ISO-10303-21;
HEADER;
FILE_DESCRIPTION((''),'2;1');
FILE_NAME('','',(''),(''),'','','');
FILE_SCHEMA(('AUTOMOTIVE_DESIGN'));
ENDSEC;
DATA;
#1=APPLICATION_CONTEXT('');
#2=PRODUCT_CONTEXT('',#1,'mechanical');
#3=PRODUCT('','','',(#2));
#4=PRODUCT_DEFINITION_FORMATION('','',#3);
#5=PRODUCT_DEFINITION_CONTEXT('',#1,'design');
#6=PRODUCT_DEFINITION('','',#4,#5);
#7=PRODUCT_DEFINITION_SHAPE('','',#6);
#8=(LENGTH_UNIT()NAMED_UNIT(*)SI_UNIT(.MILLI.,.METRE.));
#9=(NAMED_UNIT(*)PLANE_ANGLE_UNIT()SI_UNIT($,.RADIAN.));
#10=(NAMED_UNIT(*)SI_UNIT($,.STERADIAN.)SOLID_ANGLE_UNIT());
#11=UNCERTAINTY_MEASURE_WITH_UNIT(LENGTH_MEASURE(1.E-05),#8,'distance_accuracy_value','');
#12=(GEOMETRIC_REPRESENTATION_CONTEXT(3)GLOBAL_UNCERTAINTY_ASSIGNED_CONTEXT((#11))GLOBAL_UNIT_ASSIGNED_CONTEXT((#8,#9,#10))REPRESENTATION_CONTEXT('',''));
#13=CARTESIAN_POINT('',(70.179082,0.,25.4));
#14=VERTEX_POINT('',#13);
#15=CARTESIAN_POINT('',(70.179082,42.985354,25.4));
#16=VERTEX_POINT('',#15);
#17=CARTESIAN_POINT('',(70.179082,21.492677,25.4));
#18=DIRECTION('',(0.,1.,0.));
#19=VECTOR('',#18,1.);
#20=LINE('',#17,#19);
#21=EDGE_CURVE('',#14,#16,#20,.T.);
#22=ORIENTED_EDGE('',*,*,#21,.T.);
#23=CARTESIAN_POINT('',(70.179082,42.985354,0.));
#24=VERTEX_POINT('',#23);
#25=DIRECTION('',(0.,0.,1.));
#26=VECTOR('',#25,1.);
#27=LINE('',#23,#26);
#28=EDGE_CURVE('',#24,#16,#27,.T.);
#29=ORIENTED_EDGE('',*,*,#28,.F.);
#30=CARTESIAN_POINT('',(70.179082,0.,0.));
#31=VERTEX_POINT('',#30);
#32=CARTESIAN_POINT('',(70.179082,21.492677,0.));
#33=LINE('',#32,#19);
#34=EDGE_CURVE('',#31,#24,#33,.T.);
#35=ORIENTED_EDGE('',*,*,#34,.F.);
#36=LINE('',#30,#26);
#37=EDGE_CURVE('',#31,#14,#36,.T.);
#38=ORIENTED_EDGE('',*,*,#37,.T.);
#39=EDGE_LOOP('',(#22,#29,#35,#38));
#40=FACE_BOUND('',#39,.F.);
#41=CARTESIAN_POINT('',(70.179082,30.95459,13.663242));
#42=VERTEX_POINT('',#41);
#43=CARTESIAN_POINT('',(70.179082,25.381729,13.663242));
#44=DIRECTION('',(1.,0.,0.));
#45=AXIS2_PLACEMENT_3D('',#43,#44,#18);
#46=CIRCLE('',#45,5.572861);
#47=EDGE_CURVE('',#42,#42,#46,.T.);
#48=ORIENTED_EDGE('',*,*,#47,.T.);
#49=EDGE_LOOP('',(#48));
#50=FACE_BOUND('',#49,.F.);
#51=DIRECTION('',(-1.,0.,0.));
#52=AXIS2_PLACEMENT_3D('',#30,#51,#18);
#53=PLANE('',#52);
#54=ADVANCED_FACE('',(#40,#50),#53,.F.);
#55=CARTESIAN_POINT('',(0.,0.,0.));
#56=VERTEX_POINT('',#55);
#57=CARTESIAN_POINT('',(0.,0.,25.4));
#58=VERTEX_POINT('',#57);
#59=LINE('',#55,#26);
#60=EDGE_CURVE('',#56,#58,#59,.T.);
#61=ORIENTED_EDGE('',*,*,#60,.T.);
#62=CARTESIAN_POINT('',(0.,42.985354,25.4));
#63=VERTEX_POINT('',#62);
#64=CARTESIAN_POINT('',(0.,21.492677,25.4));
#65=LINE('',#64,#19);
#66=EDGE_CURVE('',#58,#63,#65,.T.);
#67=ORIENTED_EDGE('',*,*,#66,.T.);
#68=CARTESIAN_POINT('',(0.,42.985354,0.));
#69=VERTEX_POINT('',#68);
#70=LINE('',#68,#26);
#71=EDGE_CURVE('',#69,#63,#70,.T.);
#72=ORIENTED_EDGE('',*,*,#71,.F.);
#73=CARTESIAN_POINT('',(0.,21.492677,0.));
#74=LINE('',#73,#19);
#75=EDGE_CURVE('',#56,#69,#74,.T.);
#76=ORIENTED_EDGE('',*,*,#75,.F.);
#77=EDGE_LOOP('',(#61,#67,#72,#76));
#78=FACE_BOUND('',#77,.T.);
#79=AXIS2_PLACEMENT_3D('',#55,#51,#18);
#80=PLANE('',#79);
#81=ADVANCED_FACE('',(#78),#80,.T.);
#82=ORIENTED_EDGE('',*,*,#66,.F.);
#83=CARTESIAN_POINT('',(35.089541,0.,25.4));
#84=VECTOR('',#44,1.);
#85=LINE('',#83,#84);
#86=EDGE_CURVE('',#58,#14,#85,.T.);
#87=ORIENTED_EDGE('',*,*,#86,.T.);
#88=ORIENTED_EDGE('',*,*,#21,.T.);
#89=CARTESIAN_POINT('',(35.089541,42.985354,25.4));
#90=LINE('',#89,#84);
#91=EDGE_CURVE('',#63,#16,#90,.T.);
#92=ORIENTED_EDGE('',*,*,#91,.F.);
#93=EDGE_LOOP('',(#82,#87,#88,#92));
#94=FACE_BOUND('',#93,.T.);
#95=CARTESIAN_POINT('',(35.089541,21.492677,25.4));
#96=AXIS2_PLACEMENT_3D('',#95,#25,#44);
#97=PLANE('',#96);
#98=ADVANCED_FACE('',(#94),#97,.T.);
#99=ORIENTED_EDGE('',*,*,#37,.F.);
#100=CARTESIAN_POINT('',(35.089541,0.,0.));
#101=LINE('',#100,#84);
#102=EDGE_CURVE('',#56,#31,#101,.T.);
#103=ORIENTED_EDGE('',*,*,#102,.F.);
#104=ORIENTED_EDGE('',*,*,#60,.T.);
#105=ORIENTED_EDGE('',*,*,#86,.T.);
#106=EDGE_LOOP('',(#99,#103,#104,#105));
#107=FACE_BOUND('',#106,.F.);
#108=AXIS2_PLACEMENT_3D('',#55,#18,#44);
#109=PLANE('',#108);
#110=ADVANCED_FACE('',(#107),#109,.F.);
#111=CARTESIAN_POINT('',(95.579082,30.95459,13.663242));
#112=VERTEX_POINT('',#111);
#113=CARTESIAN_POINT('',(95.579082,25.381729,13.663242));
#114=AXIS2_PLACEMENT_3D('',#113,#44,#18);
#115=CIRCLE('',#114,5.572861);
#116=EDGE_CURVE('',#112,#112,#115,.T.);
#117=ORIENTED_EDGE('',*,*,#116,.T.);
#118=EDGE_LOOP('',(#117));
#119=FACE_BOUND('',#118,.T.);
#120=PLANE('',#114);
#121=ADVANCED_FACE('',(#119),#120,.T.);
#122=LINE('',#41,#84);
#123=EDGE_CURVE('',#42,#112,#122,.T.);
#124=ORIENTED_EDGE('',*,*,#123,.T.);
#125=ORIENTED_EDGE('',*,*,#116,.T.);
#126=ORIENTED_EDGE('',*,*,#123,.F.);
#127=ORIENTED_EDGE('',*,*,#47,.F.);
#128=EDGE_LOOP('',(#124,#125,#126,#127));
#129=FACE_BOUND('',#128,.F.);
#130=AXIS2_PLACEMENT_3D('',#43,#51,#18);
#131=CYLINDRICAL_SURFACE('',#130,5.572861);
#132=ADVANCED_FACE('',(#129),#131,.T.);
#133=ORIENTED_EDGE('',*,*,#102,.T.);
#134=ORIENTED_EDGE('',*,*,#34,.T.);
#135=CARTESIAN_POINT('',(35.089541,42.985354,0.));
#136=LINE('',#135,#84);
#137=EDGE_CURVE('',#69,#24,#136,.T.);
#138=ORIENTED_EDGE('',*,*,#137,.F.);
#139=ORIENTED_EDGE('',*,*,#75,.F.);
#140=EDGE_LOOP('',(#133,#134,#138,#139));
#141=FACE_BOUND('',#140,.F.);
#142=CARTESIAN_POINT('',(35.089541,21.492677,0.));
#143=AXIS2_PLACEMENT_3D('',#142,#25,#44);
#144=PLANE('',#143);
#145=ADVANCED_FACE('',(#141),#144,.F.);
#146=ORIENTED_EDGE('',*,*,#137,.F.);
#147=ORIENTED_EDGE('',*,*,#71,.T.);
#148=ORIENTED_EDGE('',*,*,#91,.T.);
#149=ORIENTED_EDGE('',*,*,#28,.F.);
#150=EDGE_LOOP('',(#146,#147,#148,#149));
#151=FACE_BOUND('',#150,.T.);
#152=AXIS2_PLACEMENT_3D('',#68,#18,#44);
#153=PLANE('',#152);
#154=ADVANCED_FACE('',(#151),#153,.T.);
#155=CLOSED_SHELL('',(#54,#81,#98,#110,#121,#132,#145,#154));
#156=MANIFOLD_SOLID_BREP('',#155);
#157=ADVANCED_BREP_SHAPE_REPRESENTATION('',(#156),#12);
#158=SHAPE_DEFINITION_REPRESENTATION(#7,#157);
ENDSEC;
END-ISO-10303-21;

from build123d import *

# Parameters (mm, degrees)
F0_W     = 70.179082
F0_H     = 42.985354
F1_DEPTH = 25.4
F2_R     = 5.572861
F3_DEPTH = 25.4


with BuildPart() as f1:
    # F0 (on Top) → F1 (new body)
    with BuildSketch(Plane.XY):
        with Locations((35.089541, 21.492677)):
            Rectangle(F0_W, F0_H)
    extrude(amount=F1_DEPTH)

    # F2 (on face) → F3 (join)
    with BuildSketch(Plane.YZ.offset(70.179082)):
        with Locations((25.381729, 13.663242)):
            Circle(F2_R)
    extrude(amount=F3_DEPTH)


solid = f1.part
